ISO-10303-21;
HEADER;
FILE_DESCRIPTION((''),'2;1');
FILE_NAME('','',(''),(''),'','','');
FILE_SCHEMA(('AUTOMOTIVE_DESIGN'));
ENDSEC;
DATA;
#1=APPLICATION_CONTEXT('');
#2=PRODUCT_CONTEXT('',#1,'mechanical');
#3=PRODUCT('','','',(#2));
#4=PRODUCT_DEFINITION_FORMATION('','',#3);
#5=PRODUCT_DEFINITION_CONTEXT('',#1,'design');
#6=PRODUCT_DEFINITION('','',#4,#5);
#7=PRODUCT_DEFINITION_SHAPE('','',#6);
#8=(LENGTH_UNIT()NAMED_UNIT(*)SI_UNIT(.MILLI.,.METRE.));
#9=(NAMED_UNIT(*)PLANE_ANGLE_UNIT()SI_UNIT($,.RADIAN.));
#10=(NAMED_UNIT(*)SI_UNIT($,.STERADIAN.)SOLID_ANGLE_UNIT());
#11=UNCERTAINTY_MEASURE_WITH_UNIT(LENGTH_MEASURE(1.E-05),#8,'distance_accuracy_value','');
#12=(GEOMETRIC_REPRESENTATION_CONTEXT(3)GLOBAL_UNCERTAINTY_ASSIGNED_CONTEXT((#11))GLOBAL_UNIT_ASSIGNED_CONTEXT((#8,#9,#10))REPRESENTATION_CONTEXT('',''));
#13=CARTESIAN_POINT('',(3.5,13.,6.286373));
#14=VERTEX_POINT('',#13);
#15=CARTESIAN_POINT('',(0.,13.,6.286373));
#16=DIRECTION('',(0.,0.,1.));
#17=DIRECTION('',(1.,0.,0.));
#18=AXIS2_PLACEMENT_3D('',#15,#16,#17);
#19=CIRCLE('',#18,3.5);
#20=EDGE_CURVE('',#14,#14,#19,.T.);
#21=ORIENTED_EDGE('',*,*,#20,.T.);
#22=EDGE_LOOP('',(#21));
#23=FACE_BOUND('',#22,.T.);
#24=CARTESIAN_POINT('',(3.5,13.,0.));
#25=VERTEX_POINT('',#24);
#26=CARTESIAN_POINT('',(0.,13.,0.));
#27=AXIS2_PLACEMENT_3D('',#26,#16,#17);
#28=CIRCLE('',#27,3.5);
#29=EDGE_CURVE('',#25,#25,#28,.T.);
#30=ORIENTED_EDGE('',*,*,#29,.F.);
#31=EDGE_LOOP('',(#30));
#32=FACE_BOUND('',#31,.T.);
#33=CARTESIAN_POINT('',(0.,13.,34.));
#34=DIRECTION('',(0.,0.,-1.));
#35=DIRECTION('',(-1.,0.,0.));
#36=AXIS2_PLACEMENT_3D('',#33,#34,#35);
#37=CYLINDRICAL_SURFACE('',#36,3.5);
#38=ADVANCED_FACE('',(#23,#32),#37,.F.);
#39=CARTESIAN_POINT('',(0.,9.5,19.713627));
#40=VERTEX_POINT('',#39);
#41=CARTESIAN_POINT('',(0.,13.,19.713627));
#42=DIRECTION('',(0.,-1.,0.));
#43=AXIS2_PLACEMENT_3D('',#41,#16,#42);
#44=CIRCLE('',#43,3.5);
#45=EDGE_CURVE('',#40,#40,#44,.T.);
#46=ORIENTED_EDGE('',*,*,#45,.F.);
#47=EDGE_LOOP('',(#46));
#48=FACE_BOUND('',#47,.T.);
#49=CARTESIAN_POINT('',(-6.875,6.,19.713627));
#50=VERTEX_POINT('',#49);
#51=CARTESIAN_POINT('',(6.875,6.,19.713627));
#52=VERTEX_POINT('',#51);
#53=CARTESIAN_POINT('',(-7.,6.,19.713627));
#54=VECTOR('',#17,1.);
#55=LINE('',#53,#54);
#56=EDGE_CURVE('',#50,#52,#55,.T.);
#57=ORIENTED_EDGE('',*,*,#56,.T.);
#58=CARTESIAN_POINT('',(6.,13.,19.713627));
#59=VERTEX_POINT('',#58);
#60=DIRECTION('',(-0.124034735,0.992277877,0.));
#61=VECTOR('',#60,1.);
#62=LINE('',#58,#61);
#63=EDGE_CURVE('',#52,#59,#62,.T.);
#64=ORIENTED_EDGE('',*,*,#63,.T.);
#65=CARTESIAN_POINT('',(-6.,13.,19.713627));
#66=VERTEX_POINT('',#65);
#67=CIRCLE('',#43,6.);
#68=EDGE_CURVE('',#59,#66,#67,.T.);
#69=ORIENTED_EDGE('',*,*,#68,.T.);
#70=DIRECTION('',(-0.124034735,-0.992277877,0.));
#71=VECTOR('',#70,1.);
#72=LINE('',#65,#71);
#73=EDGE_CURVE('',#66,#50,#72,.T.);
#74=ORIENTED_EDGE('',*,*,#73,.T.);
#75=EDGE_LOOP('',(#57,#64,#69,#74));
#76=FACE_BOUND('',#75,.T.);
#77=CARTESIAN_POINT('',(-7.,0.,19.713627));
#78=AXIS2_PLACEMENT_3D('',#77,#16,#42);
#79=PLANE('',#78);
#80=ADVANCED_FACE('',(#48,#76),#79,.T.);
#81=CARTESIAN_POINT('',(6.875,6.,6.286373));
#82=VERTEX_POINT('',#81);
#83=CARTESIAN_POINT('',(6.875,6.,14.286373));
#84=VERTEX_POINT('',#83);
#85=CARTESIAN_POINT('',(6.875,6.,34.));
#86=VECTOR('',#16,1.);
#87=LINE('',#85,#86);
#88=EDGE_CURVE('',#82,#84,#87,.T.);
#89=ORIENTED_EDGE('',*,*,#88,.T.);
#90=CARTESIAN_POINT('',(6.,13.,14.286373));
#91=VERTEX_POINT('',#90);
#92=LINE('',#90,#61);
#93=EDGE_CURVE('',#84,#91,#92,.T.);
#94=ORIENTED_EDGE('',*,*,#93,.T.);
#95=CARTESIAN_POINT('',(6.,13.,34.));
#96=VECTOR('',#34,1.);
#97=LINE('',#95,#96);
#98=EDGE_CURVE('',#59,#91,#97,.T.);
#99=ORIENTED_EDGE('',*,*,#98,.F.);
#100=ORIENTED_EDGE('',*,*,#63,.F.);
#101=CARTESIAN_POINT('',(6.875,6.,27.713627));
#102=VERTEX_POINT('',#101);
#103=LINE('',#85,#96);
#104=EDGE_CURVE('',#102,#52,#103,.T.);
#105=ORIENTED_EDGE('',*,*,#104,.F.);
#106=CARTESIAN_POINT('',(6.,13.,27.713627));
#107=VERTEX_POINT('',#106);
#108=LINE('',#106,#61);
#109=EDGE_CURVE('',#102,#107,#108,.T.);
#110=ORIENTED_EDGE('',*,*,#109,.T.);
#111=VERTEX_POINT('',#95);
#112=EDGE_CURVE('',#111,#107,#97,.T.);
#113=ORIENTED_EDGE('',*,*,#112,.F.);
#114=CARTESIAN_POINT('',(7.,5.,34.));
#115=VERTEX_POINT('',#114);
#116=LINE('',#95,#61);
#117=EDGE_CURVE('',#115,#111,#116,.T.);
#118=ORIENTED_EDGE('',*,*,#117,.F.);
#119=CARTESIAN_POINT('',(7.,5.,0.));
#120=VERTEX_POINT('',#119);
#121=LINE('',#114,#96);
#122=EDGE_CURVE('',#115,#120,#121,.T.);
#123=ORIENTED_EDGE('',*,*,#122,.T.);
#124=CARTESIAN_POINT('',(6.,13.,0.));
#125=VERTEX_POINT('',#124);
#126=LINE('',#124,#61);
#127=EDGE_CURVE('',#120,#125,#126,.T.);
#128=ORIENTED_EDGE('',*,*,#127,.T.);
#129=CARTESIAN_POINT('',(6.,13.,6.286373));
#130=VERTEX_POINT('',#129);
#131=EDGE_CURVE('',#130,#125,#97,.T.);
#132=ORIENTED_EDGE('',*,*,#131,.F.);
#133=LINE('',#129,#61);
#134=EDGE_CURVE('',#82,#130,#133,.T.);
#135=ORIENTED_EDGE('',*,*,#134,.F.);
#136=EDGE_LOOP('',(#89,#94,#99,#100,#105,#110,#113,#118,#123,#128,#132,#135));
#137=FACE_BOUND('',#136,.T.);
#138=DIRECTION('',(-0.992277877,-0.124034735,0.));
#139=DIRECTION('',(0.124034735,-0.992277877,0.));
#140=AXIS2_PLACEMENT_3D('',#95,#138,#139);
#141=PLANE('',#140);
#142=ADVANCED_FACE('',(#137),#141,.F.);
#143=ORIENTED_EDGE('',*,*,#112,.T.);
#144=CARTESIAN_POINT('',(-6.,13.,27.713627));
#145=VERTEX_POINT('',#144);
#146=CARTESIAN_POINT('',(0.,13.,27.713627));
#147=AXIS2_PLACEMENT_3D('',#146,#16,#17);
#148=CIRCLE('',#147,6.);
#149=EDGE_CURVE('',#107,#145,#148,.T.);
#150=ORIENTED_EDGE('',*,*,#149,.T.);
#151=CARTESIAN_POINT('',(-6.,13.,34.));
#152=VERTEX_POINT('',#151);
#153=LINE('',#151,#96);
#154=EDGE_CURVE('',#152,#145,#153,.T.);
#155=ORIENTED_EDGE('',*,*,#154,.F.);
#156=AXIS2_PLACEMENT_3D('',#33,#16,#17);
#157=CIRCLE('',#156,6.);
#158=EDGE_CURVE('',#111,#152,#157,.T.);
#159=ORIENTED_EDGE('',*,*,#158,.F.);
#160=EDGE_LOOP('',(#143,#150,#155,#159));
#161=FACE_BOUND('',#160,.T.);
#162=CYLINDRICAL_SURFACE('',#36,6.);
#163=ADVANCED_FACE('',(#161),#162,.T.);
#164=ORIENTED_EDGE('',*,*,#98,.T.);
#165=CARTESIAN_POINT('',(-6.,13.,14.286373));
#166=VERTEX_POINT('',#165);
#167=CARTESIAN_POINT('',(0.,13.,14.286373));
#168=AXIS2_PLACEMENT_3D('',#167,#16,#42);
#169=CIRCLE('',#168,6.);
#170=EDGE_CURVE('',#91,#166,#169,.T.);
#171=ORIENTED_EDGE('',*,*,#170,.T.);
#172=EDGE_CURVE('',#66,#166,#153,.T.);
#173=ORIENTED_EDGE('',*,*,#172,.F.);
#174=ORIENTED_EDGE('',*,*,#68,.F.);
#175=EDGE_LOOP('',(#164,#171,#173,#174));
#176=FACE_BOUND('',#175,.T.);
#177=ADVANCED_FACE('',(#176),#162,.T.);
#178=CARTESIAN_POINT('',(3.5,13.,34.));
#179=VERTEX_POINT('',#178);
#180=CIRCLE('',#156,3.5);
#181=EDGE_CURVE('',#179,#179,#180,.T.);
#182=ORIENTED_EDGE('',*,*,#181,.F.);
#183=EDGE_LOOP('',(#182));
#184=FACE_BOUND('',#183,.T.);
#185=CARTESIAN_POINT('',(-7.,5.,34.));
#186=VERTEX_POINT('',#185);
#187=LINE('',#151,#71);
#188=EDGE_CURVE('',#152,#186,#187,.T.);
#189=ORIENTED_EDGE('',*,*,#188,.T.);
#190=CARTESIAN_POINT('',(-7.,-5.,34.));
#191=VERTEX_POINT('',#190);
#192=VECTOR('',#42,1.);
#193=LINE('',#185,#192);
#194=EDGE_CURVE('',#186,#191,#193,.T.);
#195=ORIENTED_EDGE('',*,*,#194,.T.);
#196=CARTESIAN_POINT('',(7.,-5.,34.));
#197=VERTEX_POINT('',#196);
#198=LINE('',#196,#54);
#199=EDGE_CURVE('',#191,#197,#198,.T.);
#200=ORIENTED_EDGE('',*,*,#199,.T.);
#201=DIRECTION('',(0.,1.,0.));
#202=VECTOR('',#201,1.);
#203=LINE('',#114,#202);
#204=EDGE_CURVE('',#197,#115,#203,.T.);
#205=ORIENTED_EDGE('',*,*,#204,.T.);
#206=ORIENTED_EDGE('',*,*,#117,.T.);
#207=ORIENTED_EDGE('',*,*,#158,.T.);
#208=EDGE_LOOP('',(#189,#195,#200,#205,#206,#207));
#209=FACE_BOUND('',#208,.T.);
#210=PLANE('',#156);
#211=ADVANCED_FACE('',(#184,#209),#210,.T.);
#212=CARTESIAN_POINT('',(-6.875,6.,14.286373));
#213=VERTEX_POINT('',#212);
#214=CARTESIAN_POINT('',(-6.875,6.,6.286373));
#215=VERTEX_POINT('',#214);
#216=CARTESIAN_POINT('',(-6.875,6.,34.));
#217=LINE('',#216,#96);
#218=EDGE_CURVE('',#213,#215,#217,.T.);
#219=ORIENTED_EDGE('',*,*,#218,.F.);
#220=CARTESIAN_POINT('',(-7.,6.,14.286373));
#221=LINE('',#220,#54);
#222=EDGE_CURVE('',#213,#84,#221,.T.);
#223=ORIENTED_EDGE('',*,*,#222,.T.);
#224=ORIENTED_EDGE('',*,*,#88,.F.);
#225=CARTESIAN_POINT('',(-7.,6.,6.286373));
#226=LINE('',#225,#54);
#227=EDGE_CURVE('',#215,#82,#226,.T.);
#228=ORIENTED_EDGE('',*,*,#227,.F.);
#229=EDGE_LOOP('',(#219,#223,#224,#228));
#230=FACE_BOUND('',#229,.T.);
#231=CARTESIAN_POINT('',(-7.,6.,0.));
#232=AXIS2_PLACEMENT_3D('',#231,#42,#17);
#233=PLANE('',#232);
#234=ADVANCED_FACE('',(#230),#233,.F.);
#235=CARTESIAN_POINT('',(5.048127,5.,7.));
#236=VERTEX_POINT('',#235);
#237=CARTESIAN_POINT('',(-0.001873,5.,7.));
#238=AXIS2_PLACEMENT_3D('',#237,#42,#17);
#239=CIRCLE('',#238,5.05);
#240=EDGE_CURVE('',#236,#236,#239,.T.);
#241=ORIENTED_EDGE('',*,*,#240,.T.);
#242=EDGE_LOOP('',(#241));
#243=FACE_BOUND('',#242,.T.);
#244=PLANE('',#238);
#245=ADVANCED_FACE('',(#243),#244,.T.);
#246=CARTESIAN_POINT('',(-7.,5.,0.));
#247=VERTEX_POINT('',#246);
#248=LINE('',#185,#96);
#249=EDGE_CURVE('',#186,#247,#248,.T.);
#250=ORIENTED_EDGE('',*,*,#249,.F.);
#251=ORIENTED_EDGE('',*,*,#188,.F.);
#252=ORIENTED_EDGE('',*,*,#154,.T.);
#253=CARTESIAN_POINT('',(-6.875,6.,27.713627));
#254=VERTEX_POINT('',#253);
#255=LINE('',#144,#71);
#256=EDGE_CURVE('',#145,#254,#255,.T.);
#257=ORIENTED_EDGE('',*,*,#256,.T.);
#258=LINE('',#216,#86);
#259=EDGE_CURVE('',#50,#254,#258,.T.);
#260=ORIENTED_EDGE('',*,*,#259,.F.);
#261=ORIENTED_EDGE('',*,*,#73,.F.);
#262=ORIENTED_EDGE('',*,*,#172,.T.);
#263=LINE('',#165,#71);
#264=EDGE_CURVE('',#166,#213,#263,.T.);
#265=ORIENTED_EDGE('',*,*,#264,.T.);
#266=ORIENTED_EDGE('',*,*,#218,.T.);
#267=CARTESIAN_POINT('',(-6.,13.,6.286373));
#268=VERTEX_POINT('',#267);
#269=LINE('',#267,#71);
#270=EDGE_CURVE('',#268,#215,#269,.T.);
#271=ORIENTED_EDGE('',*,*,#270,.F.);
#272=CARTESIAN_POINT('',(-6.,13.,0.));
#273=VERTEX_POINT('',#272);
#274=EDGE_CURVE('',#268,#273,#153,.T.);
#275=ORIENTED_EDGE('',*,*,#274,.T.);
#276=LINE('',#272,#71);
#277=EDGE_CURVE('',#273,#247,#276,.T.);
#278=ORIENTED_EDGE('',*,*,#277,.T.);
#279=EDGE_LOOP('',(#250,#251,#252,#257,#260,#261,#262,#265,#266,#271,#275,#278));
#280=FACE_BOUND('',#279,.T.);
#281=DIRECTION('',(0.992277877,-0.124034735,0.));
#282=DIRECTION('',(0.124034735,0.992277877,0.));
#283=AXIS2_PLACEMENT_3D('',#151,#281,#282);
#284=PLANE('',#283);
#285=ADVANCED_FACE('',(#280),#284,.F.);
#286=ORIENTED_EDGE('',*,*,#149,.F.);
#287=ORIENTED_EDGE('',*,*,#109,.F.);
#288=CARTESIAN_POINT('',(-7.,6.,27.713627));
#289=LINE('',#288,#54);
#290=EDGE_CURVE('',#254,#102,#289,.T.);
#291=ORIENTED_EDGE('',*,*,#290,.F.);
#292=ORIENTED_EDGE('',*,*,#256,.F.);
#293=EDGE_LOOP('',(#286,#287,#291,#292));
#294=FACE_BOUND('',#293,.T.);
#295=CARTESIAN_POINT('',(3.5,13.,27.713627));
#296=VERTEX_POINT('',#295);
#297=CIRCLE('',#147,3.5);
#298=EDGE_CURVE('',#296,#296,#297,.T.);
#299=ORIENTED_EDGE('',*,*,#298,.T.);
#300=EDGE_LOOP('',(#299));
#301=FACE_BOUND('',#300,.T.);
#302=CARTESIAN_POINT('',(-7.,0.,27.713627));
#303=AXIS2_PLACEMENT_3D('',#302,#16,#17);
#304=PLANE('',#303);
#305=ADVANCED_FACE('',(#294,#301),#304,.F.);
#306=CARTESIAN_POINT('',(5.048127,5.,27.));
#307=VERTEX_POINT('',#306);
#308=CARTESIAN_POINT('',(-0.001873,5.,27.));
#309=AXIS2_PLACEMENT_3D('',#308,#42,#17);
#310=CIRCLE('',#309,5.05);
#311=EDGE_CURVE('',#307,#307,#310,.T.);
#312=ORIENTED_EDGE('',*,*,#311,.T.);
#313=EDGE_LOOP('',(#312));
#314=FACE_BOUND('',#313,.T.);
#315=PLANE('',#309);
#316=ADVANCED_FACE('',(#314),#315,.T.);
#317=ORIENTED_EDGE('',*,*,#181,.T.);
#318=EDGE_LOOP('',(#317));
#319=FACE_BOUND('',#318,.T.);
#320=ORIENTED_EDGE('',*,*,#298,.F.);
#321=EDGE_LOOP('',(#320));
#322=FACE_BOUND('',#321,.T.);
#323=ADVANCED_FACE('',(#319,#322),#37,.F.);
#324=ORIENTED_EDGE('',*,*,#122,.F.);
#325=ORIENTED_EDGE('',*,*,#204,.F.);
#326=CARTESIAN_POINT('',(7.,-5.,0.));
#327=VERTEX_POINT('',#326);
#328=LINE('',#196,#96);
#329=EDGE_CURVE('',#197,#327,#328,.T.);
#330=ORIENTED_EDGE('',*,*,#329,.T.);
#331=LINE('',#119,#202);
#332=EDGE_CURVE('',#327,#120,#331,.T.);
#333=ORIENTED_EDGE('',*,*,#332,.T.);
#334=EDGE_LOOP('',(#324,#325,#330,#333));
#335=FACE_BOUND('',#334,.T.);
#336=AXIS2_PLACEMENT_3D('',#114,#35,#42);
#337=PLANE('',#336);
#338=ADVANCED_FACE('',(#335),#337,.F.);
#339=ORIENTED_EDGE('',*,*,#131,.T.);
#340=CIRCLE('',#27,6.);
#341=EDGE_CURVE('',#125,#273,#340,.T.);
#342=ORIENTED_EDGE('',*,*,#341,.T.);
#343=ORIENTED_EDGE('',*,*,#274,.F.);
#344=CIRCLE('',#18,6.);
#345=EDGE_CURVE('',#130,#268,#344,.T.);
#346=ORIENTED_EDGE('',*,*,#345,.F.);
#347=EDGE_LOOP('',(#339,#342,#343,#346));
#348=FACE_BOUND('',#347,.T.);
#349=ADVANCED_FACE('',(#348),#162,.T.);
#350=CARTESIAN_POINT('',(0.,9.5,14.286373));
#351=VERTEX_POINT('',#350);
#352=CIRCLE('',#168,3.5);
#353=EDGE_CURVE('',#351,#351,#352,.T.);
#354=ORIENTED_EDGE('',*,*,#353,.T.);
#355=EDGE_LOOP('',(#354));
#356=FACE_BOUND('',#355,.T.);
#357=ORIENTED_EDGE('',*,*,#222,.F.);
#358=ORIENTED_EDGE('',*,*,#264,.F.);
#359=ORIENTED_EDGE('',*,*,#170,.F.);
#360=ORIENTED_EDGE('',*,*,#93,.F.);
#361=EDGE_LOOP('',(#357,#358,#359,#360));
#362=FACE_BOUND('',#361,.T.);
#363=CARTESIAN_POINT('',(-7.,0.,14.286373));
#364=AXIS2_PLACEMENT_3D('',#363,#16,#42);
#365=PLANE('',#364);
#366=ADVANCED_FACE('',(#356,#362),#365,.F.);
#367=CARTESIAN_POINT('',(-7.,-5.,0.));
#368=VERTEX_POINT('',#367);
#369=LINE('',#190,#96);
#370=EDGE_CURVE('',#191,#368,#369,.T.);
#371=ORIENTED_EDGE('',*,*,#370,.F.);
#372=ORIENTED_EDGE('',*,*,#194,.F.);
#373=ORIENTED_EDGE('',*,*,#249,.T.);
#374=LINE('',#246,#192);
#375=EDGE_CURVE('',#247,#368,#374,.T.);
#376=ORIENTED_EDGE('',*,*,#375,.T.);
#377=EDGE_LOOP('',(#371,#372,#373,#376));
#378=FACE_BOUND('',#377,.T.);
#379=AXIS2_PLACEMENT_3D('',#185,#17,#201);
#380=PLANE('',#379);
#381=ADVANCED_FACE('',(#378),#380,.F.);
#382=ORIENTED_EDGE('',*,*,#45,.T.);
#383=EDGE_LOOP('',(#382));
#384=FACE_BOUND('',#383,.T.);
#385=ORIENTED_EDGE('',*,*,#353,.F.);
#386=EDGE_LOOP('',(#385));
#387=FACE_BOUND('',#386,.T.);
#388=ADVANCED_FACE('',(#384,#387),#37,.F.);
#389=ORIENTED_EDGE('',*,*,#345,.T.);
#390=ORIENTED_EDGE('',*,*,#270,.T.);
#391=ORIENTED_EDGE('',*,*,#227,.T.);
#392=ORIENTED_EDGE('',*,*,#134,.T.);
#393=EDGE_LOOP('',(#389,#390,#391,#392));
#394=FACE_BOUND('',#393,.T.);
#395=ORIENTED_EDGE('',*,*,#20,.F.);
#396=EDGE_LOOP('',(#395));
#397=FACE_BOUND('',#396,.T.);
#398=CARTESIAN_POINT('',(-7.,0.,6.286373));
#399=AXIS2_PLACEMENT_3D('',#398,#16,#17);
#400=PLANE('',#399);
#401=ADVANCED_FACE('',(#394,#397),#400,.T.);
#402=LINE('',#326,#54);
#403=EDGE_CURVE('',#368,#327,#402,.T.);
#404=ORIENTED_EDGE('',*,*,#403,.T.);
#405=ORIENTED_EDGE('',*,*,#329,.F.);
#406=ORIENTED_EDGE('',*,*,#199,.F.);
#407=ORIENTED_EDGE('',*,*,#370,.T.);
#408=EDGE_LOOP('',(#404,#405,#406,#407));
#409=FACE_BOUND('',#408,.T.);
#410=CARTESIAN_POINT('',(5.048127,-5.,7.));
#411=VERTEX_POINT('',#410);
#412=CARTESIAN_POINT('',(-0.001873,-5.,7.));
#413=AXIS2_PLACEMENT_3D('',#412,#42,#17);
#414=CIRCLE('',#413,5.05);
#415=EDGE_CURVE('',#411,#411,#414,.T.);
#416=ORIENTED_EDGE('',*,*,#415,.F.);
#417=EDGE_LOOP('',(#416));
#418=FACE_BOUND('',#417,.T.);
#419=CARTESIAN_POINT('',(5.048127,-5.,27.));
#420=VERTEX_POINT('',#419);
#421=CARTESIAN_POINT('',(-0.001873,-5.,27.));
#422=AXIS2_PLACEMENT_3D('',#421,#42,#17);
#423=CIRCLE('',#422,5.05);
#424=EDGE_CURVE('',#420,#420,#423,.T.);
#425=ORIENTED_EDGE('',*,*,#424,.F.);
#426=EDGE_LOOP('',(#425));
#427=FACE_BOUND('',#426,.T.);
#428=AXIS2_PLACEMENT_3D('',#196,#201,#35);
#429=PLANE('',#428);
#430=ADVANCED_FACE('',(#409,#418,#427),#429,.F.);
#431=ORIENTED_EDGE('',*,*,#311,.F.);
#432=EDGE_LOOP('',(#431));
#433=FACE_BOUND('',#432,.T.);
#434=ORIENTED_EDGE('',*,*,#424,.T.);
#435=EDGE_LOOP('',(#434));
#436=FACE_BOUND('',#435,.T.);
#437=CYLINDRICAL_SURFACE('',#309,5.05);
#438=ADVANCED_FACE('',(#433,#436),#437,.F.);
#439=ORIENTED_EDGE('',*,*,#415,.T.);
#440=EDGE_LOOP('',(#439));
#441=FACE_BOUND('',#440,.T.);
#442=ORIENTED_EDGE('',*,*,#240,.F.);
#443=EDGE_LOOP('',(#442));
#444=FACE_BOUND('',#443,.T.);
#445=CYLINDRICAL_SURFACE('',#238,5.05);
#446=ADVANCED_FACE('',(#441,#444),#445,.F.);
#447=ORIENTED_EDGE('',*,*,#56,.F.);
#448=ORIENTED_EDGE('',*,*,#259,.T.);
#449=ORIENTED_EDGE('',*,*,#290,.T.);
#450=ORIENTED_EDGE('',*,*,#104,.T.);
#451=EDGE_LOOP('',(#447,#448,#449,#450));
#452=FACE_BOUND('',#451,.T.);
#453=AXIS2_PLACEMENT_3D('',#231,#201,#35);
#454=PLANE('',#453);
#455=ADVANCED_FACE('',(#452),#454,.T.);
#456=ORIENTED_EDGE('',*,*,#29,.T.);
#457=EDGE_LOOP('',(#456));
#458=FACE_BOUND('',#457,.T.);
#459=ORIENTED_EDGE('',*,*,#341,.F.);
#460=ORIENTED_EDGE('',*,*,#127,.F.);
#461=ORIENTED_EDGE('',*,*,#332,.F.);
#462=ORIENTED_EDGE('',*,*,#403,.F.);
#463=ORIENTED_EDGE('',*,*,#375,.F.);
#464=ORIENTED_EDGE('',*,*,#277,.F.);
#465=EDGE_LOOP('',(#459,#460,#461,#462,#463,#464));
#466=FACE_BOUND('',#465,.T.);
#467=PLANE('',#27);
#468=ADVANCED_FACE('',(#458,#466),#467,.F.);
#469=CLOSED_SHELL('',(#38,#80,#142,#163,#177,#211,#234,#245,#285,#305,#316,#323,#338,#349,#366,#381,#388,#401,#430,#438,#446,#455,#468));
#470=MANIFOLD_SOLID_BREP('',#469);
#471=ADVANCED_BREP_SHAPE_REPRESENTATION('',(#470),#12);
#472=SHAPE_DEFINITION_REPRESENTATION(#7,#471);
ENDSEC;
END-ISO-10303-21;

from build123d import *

# Parameters (mm, degrees)
SKETCH_1_R               = 3.5
EXTRUDE_2_DEPTH          = 34
CUT_EXTRUDE_1_DEPTH      = 42.388404173
CUT_EXTRUDE_1_DEPTH_BACK = 42.388404173
SKETCH_3_W               = 8
SKETCH_3_H               = 13
SKETCH_4_R               = 5.05
CUT_EXTRUDE_3_DEPTH      = 10


with BuildPart() as part:
    # 草图1 → 凸台-拉伸2 (new body)
    with BuildSketch(Plane.XY):
        with BuildLine():
            Line((7, 5), (7, -5))
            Line((7, -5), (-7, -5))
            Line((-7, -5), (-7, 5))
            Line((-7, 5), (-6, 13))
            ThreePointArc((-6, 13), (0, 19), (6, 13))
            Line((6, 13), (7, 5))
        make_face()
        with Locations((0, 13)):
            Circle(SKETCH_1_R, mode=Mode.SUBTRACT)
    extrude(amount=EXTRUDE_2_DEPTH)

    # 草图3 → 切除-拉伸1 (cut, two sides: drawn at the far end of the back side and taken through both)
    with BuildSketch(Plane(origin=(7, 0, 0), x_dir=(0, 0, -1), z_dir=(1, 0, 0)).offset(-CUT_EXTRUDE_1_DEPTH_BACK)):
        with Locations((-23.713626646, 12.5)):
            Rectangle(SKETCH_3_W, SKETCH_3_H)
        Polygon((-6.286373354, 19), (-13.713626646, 19), (-14.286373354, 19), (-14.286373354, 6), (-6.286373354, 6), align=None)
    extrude(amount=CUT_EXTRUDE_1_DEPTH + CUT_EXTRUDE_1_DEPTH_BACK, mode=Mode.SUBTRACT)

    # 草图4 → 切除-拉伸3 (cut)
    with BuildSketch(Plane.XZ.offset(5)):
        with Locations((-0.001873454, 27)):
            Circle(SKETCH_4_R)
        with Locations((-0.001873454, 7)):
            Circle(SKETCH_4_R)
    extrude(amount=-CUT_EXTRUDE_3_DEPTH, mode=Mode.SUBTRACT)


solid = part.part
